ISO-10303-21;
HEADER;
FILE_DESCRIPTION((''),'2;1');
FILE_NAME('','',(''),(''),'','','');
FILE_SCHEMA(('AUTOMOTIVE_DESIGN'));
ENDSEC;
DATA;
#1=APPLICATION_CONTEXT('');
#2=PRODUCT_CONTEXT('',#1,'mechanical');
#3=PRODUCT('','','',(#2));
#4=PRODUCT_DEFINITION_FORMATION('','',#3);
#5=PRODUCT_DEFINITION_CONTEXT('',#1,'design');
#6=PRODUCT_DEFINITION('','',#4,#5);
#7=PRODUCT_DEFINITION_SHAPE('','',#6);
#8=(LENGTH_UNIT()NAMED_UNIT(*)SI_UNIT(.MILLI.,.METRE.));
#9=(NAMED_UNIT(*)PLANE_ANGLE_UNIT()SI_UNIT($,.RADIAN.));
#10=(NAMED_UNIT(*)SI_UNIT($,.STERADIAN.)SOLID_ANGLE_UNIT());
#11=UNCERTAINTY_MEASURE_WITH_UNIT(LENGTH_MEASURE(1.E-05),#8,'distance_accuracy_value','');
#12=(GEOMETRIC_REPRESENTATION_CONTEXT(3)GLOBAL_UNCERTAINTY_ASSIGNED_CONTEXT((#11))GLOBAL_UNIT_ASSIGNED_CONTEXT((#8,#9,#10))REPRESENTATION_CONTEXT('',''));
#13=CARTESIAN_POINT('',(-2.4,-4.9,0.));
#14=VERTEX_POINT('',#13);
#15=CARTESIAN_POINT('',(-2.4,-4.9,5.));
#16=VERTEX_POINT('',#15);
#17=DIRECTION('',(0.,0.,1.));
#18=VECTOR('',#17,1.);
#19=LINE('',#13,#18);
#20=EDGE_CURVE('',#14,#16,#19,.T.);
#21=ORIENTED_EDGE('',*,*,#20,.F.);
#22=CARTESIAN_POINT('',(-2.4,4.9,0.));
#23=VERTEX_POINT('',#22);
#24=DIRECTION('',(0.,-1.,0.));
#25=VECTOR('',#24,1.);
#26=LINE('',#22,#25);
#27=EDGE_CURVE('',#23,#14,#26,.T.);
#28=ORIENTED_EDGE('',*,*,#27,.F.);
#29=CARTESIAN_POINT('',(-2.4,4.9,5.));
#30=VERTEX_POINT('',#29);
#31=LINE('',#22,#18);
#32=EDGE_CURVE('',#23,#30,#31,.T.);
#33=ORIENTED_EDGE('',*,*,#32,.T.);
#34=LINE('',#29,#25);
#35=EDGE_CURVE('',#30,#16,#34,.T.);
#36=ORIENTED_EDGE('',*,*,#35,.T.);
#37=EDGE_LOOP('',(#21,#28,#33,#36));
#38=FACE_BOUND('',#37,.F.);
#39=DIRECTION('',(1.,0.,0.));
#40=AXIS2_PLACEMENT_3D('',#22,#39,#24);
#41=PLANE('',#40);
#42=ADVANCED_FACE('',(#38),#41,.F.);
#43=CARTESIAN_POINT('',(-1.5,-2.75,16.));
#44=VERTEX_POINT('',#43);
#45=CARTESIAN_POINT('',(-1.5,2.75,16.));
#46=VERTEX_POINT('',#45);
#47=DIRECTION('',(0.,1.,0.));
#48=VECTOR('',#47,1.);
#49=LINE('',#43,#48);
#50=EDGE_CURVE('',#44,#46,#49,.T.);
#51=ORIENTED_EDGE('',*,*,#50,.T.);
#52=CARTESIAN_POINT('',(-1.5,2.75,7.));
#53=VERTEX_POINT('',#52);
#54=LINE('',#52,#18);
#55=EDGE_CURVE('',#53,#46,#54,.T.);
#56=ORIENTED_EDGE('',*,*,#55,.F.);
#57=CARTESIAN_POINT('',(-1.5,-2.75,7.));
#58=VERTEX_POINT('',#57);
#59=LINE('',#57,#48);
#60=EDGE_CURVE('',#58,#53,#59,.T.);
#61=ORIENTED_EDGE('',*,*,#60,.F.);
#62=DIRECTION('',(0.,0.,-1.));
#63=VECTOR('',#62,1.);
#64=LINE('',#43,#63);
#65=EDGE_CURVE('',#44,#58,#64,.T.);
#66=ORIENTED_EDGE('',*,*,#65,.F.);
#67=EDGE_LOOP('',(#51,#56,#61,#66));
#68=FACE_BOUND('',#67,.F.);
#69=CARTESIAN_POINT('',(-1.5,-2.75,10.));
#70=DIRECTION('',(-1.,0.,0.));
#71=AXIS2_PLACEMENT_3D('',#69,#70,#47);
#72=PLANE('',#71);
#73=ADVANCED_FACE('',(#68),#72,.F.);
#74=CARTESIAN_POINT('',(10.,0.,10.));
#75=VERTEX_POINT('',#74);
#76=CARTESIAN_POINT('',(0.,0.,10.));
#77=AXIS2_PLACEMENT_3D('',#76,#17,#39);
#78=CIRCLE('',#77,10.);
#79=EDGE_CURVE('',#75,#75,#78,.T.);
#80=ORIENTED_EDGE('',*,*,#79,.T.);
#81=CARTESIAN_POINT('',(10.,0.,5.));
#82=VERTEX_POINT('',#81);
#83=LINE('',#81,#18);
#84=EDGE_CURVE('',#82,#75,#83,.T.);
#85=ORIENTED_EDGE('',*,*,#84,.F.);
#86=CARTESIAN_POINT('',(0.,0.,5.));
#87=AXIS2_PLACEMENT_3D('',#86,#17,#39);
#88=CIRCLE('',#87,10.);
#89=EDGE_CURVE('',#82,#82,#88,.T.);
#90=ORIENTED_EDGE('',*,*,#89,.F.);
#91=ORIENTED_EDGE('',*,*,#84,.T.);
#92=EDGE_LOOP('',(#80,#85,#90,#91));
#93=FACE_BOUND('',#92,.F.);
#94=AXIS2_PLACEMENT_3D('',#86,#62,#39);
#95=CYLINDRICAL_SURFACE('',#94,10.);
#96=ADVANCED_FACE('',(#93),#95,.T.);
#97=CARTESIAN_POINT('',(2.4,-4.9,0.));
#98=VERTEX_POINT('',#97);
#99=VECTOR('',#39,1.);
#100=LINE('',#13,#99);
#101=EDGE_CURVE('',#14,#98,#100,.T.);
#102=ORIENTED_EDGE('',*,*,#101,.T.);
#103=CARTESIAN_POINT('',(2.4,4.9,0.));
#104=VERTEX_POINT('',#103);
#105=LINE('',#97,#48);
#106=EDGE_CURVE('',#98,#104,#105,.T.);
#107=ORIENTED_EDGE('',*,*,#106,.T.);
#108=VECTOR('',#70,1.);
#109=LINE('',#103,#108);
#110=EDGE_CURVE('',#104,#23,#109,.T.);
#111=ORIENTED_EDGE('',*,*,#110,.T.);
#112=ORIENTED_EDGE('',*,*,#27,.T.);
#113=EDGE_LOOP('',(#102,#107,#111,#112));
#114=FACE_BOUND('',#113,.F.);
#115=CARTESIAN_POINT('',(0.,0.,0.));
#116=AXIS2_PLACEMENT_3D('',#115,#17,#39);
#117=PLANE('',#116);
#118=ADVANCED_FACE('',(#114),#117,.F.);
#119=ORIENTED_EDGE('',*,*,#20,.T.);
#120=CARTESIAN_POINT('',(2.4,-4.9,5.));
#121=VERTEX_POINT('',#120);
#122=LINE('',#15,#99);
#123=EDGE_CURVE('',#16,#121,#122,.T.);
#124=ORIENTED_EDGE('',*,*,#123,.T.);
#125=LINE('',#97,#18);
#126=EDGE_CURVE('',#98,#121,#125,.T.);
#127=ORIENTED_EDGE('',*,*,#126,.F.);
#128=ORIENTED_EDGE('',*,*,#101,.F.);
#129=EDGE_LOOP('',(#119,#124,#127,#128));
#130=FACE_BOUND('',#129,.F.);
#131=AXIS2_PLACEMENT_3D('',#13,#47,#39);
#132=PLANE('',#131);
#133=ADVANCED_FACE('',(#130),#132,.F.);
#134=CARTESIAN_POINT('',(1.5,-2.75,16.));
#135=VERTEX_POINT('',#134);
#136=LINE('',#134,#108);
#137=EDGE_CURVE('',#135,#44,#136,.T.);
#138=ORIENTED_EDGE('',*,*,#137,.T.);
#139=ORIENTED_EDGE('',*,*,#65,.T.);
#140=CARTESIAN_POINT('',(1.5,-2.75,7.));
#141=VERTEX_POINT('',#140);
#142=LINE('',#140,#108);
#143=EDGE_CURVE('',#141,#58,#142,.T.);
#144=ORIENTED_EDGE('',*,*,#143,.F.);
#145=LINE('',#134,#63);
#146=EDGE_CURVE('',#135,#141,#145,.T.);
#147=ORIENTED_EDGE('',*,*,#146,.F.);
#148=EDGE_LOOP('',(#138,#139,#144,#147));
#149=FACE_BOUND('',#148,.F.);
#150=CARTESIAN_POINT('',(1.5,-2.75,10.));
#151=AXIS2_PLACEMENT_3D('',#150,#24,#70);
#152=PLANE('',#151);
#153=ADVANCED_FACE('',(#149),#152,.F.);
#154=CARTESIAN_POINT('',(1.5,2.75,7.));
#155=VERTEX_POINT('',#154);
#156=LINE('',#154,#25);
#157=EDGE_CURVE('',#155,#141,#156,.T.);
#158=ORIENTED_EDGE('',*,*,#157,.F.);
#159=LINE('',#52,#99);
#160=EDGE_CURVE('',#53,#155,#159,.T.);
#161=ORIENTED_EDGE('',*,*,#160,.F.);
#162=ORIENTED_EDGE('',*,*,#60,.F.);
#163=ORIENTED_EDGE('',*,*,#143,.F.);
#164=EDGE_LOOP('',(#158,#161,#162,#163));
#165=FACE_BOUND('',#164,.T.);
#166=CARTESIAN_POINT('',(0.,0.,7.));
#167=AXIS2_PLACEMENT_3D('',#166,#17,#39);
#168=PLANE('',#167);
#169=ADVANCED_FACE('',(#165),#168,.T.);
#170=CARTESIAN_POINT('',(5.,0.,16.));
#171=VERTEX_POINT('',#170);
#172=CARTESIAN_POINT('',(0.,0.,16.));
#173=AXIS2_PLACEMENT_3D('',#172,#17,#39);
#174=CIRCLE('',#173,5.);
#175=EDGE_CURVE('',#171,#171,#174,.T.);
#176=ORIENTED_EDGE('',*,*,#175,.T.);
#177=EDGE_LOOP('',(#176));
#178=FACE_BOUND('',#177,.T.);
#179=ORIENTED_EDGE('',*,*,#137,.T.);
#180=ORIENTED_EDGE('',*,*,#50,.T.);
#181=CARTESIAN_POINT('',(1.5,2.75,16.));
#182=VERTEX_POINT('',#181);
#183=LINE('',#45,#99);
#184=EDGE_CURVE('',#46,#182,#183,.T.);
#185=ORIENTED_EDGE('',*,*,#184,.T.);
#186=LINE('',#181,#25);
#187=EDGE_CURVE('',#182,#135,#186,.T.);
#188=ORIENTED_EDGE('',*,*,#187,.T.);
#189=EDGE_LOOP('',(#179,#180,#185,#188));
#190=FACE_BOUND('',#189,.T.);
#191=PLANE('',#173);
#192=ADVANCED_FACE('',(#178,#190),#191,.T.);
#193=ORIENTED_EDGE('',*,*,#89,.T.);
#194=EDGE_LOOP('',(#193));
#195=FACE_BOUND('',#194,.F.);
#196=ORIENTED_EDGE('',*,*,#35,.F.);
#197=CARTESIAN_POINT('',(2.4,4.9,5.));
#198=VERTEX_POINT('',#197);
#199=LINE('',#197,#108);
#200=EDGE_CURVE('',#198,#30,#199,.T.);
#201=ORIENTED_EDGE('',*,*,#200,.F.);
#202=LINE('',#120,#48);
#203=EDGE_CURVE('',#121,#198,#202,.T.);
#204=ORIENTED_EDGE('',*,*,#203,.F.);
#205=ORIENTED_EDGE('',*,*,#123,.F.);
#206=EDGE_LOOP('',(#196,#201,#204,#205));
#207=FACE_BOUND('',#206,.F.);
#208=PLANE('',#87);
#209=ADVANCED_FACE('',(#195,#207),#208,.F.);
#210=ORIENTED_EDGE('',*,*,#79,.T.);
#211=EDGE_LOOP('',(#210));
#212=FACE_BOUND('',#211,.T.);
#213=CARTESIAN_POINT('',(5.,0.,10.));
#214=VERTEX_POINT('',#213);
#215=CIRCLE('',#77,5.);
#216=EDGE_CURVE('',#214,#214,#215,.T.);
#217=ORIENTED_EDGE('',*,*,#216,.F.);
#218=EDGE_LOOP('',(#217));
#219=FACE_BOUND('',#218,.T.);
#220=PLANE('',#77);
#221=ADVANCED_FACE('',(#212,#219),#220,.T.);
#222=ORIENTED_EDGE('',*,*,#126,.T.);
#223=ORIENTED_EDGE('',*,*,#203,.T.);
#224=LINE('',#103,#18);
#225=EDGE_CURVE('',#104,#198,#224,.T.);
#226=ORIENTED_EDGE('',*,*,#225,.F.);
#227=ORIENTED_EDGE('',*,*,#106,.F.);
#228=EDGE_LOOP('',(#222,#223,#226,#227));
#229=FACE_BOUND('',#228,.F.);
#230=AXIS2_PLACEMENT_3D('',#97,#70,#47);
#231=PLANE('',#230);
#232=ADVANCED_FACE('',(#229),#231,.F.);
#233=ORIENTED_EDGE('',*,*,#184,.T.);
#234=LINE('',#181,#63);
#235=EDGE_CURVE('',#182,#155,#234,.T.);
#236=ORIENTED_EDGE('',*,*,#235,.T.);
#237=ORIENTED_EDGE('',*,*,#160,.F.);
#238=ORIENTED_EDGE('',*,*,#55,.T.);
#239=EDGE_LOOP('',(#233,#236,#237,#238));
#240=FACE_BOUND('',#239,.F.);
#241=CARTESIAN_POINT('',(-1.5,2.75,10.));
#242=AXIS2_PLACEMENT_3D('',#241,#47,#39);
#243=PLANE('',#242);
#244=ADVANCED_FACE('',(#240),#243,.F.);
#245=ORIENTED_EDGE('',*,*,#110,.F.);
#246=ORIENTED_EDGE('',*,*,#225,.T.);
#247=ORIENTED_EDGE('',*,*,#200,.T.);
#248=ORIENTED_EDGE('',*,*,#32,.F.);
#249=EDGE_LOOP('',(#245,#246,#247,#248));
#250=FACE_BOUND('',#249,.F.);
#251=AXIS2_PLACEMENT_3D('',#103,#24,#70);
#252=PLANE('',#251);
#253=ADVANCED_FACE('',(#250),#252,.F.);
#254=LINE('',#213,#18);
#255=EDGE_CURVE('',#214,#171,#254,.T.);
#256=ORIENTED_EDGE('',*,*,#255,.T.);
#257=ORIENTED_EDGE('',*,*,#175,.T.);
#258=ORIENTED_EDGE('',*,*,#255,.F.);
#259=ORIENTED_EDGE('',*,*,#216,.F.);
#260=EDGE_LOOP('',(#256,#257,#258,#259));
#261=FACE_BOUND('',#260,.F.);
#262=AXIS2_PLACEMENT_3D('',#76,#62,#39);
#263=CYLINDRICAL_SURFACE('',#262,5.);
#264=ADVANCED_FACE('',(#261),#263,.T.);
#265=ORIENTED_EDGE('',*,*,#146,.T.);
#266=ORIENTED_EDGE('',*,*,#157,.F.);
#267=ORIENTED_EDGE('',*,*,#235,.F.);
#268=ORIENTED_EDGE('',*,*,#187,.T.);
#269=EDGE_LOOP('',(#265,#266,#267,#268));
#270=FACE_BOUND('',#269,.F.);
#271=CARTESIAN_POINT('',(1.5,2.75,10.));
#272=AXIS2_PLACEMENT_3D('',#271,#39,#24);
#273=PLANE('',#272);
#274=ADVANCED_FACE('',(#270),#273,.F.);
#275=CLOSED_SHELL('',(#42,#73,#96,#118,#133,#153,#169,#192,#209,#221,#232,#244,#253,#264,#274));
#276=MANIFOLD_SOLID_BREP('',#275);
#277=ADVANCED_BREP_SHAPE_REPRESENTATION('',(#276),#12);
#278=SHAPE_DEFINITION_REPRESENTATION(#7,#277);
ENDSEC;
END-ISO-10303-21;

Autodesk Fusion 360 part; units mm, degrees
sketch "Sketch1" plane through (0, 0, 0) normal (0, 0, 1) x (1, 0, 0)
  line L0 (2.4, 4.9) -> (-2.4, 4.9)
  line L1 (-2.4, 4.9) -> (-2.4, -4.9)
  line L2 (-2.4, -4.9) -> (2.4, -4.9)
  line L3 (2.4, -4.9) -> (2.4, 4.9)
  line L4 (2.4, 4.9) -> (-2.4, -4.9) construction
  line L5 (-2.4, 4.9) -> (2.4, -4.9) construction
  dimension "d1" = 4.8
  dimension "d2" = 9.8
extrude "Extrude1" add sketch "Sketch1" along normal blind 5
sketch "Sketch2" plane through (0, 0, 5) normal (0, 0, 1) x (1, 0, 0)
  line L0 (2.4, -4.9) -> (2.4, 4.9)
  line L1 (2.4, 4.9) -> (-2.4, 4.9)
  line L2 (-2.4, 4.9) -> (-2.4, -4.9)
  line L3 (-2.4, -4.9) -> (2.4, -4.9)
  circle A0 centre (0, 0) radius 10
  dimension "d5" = 20
extrude "Extrude2" add sketch "Sketch2" along normal blind 5 contours L0 L1 L2 L3 | A0
sketch "Sketch3" plane through (0, 0, 10) normal (0, 0, 1) x (1, 0, 0)
  circle A0 centre (0, 0) radius 10
  line L0 (-1.5, 2.75) -> (1.5, 2.75)
  line L1 (1.5, 2.75) -> (1.5, -2.75)
  line L2 (1.5, -2.75) -> (-1.5, -2.75)
  line L3 (-1.5, -2.75) -> (-1.5, 2.75)
  line L4 (-1.5, 2.75) -> (1.5, -2.75) construction
  line L5 (1.5, 2.75) -> (-1.5, -2.75) construction
  circle A1 centre (0, 0) radius 5
  dimension "d8" = 5.5
  dimension "d9" = 3
  dimension "d10" = 10
extrude "Extrude3" add sketch "Sketch3" along normal blind 6 contours A1
extrude "Extrude4" cut sketch "Sketch3" against normal blind 3 contours L0 L1 L2 L3
